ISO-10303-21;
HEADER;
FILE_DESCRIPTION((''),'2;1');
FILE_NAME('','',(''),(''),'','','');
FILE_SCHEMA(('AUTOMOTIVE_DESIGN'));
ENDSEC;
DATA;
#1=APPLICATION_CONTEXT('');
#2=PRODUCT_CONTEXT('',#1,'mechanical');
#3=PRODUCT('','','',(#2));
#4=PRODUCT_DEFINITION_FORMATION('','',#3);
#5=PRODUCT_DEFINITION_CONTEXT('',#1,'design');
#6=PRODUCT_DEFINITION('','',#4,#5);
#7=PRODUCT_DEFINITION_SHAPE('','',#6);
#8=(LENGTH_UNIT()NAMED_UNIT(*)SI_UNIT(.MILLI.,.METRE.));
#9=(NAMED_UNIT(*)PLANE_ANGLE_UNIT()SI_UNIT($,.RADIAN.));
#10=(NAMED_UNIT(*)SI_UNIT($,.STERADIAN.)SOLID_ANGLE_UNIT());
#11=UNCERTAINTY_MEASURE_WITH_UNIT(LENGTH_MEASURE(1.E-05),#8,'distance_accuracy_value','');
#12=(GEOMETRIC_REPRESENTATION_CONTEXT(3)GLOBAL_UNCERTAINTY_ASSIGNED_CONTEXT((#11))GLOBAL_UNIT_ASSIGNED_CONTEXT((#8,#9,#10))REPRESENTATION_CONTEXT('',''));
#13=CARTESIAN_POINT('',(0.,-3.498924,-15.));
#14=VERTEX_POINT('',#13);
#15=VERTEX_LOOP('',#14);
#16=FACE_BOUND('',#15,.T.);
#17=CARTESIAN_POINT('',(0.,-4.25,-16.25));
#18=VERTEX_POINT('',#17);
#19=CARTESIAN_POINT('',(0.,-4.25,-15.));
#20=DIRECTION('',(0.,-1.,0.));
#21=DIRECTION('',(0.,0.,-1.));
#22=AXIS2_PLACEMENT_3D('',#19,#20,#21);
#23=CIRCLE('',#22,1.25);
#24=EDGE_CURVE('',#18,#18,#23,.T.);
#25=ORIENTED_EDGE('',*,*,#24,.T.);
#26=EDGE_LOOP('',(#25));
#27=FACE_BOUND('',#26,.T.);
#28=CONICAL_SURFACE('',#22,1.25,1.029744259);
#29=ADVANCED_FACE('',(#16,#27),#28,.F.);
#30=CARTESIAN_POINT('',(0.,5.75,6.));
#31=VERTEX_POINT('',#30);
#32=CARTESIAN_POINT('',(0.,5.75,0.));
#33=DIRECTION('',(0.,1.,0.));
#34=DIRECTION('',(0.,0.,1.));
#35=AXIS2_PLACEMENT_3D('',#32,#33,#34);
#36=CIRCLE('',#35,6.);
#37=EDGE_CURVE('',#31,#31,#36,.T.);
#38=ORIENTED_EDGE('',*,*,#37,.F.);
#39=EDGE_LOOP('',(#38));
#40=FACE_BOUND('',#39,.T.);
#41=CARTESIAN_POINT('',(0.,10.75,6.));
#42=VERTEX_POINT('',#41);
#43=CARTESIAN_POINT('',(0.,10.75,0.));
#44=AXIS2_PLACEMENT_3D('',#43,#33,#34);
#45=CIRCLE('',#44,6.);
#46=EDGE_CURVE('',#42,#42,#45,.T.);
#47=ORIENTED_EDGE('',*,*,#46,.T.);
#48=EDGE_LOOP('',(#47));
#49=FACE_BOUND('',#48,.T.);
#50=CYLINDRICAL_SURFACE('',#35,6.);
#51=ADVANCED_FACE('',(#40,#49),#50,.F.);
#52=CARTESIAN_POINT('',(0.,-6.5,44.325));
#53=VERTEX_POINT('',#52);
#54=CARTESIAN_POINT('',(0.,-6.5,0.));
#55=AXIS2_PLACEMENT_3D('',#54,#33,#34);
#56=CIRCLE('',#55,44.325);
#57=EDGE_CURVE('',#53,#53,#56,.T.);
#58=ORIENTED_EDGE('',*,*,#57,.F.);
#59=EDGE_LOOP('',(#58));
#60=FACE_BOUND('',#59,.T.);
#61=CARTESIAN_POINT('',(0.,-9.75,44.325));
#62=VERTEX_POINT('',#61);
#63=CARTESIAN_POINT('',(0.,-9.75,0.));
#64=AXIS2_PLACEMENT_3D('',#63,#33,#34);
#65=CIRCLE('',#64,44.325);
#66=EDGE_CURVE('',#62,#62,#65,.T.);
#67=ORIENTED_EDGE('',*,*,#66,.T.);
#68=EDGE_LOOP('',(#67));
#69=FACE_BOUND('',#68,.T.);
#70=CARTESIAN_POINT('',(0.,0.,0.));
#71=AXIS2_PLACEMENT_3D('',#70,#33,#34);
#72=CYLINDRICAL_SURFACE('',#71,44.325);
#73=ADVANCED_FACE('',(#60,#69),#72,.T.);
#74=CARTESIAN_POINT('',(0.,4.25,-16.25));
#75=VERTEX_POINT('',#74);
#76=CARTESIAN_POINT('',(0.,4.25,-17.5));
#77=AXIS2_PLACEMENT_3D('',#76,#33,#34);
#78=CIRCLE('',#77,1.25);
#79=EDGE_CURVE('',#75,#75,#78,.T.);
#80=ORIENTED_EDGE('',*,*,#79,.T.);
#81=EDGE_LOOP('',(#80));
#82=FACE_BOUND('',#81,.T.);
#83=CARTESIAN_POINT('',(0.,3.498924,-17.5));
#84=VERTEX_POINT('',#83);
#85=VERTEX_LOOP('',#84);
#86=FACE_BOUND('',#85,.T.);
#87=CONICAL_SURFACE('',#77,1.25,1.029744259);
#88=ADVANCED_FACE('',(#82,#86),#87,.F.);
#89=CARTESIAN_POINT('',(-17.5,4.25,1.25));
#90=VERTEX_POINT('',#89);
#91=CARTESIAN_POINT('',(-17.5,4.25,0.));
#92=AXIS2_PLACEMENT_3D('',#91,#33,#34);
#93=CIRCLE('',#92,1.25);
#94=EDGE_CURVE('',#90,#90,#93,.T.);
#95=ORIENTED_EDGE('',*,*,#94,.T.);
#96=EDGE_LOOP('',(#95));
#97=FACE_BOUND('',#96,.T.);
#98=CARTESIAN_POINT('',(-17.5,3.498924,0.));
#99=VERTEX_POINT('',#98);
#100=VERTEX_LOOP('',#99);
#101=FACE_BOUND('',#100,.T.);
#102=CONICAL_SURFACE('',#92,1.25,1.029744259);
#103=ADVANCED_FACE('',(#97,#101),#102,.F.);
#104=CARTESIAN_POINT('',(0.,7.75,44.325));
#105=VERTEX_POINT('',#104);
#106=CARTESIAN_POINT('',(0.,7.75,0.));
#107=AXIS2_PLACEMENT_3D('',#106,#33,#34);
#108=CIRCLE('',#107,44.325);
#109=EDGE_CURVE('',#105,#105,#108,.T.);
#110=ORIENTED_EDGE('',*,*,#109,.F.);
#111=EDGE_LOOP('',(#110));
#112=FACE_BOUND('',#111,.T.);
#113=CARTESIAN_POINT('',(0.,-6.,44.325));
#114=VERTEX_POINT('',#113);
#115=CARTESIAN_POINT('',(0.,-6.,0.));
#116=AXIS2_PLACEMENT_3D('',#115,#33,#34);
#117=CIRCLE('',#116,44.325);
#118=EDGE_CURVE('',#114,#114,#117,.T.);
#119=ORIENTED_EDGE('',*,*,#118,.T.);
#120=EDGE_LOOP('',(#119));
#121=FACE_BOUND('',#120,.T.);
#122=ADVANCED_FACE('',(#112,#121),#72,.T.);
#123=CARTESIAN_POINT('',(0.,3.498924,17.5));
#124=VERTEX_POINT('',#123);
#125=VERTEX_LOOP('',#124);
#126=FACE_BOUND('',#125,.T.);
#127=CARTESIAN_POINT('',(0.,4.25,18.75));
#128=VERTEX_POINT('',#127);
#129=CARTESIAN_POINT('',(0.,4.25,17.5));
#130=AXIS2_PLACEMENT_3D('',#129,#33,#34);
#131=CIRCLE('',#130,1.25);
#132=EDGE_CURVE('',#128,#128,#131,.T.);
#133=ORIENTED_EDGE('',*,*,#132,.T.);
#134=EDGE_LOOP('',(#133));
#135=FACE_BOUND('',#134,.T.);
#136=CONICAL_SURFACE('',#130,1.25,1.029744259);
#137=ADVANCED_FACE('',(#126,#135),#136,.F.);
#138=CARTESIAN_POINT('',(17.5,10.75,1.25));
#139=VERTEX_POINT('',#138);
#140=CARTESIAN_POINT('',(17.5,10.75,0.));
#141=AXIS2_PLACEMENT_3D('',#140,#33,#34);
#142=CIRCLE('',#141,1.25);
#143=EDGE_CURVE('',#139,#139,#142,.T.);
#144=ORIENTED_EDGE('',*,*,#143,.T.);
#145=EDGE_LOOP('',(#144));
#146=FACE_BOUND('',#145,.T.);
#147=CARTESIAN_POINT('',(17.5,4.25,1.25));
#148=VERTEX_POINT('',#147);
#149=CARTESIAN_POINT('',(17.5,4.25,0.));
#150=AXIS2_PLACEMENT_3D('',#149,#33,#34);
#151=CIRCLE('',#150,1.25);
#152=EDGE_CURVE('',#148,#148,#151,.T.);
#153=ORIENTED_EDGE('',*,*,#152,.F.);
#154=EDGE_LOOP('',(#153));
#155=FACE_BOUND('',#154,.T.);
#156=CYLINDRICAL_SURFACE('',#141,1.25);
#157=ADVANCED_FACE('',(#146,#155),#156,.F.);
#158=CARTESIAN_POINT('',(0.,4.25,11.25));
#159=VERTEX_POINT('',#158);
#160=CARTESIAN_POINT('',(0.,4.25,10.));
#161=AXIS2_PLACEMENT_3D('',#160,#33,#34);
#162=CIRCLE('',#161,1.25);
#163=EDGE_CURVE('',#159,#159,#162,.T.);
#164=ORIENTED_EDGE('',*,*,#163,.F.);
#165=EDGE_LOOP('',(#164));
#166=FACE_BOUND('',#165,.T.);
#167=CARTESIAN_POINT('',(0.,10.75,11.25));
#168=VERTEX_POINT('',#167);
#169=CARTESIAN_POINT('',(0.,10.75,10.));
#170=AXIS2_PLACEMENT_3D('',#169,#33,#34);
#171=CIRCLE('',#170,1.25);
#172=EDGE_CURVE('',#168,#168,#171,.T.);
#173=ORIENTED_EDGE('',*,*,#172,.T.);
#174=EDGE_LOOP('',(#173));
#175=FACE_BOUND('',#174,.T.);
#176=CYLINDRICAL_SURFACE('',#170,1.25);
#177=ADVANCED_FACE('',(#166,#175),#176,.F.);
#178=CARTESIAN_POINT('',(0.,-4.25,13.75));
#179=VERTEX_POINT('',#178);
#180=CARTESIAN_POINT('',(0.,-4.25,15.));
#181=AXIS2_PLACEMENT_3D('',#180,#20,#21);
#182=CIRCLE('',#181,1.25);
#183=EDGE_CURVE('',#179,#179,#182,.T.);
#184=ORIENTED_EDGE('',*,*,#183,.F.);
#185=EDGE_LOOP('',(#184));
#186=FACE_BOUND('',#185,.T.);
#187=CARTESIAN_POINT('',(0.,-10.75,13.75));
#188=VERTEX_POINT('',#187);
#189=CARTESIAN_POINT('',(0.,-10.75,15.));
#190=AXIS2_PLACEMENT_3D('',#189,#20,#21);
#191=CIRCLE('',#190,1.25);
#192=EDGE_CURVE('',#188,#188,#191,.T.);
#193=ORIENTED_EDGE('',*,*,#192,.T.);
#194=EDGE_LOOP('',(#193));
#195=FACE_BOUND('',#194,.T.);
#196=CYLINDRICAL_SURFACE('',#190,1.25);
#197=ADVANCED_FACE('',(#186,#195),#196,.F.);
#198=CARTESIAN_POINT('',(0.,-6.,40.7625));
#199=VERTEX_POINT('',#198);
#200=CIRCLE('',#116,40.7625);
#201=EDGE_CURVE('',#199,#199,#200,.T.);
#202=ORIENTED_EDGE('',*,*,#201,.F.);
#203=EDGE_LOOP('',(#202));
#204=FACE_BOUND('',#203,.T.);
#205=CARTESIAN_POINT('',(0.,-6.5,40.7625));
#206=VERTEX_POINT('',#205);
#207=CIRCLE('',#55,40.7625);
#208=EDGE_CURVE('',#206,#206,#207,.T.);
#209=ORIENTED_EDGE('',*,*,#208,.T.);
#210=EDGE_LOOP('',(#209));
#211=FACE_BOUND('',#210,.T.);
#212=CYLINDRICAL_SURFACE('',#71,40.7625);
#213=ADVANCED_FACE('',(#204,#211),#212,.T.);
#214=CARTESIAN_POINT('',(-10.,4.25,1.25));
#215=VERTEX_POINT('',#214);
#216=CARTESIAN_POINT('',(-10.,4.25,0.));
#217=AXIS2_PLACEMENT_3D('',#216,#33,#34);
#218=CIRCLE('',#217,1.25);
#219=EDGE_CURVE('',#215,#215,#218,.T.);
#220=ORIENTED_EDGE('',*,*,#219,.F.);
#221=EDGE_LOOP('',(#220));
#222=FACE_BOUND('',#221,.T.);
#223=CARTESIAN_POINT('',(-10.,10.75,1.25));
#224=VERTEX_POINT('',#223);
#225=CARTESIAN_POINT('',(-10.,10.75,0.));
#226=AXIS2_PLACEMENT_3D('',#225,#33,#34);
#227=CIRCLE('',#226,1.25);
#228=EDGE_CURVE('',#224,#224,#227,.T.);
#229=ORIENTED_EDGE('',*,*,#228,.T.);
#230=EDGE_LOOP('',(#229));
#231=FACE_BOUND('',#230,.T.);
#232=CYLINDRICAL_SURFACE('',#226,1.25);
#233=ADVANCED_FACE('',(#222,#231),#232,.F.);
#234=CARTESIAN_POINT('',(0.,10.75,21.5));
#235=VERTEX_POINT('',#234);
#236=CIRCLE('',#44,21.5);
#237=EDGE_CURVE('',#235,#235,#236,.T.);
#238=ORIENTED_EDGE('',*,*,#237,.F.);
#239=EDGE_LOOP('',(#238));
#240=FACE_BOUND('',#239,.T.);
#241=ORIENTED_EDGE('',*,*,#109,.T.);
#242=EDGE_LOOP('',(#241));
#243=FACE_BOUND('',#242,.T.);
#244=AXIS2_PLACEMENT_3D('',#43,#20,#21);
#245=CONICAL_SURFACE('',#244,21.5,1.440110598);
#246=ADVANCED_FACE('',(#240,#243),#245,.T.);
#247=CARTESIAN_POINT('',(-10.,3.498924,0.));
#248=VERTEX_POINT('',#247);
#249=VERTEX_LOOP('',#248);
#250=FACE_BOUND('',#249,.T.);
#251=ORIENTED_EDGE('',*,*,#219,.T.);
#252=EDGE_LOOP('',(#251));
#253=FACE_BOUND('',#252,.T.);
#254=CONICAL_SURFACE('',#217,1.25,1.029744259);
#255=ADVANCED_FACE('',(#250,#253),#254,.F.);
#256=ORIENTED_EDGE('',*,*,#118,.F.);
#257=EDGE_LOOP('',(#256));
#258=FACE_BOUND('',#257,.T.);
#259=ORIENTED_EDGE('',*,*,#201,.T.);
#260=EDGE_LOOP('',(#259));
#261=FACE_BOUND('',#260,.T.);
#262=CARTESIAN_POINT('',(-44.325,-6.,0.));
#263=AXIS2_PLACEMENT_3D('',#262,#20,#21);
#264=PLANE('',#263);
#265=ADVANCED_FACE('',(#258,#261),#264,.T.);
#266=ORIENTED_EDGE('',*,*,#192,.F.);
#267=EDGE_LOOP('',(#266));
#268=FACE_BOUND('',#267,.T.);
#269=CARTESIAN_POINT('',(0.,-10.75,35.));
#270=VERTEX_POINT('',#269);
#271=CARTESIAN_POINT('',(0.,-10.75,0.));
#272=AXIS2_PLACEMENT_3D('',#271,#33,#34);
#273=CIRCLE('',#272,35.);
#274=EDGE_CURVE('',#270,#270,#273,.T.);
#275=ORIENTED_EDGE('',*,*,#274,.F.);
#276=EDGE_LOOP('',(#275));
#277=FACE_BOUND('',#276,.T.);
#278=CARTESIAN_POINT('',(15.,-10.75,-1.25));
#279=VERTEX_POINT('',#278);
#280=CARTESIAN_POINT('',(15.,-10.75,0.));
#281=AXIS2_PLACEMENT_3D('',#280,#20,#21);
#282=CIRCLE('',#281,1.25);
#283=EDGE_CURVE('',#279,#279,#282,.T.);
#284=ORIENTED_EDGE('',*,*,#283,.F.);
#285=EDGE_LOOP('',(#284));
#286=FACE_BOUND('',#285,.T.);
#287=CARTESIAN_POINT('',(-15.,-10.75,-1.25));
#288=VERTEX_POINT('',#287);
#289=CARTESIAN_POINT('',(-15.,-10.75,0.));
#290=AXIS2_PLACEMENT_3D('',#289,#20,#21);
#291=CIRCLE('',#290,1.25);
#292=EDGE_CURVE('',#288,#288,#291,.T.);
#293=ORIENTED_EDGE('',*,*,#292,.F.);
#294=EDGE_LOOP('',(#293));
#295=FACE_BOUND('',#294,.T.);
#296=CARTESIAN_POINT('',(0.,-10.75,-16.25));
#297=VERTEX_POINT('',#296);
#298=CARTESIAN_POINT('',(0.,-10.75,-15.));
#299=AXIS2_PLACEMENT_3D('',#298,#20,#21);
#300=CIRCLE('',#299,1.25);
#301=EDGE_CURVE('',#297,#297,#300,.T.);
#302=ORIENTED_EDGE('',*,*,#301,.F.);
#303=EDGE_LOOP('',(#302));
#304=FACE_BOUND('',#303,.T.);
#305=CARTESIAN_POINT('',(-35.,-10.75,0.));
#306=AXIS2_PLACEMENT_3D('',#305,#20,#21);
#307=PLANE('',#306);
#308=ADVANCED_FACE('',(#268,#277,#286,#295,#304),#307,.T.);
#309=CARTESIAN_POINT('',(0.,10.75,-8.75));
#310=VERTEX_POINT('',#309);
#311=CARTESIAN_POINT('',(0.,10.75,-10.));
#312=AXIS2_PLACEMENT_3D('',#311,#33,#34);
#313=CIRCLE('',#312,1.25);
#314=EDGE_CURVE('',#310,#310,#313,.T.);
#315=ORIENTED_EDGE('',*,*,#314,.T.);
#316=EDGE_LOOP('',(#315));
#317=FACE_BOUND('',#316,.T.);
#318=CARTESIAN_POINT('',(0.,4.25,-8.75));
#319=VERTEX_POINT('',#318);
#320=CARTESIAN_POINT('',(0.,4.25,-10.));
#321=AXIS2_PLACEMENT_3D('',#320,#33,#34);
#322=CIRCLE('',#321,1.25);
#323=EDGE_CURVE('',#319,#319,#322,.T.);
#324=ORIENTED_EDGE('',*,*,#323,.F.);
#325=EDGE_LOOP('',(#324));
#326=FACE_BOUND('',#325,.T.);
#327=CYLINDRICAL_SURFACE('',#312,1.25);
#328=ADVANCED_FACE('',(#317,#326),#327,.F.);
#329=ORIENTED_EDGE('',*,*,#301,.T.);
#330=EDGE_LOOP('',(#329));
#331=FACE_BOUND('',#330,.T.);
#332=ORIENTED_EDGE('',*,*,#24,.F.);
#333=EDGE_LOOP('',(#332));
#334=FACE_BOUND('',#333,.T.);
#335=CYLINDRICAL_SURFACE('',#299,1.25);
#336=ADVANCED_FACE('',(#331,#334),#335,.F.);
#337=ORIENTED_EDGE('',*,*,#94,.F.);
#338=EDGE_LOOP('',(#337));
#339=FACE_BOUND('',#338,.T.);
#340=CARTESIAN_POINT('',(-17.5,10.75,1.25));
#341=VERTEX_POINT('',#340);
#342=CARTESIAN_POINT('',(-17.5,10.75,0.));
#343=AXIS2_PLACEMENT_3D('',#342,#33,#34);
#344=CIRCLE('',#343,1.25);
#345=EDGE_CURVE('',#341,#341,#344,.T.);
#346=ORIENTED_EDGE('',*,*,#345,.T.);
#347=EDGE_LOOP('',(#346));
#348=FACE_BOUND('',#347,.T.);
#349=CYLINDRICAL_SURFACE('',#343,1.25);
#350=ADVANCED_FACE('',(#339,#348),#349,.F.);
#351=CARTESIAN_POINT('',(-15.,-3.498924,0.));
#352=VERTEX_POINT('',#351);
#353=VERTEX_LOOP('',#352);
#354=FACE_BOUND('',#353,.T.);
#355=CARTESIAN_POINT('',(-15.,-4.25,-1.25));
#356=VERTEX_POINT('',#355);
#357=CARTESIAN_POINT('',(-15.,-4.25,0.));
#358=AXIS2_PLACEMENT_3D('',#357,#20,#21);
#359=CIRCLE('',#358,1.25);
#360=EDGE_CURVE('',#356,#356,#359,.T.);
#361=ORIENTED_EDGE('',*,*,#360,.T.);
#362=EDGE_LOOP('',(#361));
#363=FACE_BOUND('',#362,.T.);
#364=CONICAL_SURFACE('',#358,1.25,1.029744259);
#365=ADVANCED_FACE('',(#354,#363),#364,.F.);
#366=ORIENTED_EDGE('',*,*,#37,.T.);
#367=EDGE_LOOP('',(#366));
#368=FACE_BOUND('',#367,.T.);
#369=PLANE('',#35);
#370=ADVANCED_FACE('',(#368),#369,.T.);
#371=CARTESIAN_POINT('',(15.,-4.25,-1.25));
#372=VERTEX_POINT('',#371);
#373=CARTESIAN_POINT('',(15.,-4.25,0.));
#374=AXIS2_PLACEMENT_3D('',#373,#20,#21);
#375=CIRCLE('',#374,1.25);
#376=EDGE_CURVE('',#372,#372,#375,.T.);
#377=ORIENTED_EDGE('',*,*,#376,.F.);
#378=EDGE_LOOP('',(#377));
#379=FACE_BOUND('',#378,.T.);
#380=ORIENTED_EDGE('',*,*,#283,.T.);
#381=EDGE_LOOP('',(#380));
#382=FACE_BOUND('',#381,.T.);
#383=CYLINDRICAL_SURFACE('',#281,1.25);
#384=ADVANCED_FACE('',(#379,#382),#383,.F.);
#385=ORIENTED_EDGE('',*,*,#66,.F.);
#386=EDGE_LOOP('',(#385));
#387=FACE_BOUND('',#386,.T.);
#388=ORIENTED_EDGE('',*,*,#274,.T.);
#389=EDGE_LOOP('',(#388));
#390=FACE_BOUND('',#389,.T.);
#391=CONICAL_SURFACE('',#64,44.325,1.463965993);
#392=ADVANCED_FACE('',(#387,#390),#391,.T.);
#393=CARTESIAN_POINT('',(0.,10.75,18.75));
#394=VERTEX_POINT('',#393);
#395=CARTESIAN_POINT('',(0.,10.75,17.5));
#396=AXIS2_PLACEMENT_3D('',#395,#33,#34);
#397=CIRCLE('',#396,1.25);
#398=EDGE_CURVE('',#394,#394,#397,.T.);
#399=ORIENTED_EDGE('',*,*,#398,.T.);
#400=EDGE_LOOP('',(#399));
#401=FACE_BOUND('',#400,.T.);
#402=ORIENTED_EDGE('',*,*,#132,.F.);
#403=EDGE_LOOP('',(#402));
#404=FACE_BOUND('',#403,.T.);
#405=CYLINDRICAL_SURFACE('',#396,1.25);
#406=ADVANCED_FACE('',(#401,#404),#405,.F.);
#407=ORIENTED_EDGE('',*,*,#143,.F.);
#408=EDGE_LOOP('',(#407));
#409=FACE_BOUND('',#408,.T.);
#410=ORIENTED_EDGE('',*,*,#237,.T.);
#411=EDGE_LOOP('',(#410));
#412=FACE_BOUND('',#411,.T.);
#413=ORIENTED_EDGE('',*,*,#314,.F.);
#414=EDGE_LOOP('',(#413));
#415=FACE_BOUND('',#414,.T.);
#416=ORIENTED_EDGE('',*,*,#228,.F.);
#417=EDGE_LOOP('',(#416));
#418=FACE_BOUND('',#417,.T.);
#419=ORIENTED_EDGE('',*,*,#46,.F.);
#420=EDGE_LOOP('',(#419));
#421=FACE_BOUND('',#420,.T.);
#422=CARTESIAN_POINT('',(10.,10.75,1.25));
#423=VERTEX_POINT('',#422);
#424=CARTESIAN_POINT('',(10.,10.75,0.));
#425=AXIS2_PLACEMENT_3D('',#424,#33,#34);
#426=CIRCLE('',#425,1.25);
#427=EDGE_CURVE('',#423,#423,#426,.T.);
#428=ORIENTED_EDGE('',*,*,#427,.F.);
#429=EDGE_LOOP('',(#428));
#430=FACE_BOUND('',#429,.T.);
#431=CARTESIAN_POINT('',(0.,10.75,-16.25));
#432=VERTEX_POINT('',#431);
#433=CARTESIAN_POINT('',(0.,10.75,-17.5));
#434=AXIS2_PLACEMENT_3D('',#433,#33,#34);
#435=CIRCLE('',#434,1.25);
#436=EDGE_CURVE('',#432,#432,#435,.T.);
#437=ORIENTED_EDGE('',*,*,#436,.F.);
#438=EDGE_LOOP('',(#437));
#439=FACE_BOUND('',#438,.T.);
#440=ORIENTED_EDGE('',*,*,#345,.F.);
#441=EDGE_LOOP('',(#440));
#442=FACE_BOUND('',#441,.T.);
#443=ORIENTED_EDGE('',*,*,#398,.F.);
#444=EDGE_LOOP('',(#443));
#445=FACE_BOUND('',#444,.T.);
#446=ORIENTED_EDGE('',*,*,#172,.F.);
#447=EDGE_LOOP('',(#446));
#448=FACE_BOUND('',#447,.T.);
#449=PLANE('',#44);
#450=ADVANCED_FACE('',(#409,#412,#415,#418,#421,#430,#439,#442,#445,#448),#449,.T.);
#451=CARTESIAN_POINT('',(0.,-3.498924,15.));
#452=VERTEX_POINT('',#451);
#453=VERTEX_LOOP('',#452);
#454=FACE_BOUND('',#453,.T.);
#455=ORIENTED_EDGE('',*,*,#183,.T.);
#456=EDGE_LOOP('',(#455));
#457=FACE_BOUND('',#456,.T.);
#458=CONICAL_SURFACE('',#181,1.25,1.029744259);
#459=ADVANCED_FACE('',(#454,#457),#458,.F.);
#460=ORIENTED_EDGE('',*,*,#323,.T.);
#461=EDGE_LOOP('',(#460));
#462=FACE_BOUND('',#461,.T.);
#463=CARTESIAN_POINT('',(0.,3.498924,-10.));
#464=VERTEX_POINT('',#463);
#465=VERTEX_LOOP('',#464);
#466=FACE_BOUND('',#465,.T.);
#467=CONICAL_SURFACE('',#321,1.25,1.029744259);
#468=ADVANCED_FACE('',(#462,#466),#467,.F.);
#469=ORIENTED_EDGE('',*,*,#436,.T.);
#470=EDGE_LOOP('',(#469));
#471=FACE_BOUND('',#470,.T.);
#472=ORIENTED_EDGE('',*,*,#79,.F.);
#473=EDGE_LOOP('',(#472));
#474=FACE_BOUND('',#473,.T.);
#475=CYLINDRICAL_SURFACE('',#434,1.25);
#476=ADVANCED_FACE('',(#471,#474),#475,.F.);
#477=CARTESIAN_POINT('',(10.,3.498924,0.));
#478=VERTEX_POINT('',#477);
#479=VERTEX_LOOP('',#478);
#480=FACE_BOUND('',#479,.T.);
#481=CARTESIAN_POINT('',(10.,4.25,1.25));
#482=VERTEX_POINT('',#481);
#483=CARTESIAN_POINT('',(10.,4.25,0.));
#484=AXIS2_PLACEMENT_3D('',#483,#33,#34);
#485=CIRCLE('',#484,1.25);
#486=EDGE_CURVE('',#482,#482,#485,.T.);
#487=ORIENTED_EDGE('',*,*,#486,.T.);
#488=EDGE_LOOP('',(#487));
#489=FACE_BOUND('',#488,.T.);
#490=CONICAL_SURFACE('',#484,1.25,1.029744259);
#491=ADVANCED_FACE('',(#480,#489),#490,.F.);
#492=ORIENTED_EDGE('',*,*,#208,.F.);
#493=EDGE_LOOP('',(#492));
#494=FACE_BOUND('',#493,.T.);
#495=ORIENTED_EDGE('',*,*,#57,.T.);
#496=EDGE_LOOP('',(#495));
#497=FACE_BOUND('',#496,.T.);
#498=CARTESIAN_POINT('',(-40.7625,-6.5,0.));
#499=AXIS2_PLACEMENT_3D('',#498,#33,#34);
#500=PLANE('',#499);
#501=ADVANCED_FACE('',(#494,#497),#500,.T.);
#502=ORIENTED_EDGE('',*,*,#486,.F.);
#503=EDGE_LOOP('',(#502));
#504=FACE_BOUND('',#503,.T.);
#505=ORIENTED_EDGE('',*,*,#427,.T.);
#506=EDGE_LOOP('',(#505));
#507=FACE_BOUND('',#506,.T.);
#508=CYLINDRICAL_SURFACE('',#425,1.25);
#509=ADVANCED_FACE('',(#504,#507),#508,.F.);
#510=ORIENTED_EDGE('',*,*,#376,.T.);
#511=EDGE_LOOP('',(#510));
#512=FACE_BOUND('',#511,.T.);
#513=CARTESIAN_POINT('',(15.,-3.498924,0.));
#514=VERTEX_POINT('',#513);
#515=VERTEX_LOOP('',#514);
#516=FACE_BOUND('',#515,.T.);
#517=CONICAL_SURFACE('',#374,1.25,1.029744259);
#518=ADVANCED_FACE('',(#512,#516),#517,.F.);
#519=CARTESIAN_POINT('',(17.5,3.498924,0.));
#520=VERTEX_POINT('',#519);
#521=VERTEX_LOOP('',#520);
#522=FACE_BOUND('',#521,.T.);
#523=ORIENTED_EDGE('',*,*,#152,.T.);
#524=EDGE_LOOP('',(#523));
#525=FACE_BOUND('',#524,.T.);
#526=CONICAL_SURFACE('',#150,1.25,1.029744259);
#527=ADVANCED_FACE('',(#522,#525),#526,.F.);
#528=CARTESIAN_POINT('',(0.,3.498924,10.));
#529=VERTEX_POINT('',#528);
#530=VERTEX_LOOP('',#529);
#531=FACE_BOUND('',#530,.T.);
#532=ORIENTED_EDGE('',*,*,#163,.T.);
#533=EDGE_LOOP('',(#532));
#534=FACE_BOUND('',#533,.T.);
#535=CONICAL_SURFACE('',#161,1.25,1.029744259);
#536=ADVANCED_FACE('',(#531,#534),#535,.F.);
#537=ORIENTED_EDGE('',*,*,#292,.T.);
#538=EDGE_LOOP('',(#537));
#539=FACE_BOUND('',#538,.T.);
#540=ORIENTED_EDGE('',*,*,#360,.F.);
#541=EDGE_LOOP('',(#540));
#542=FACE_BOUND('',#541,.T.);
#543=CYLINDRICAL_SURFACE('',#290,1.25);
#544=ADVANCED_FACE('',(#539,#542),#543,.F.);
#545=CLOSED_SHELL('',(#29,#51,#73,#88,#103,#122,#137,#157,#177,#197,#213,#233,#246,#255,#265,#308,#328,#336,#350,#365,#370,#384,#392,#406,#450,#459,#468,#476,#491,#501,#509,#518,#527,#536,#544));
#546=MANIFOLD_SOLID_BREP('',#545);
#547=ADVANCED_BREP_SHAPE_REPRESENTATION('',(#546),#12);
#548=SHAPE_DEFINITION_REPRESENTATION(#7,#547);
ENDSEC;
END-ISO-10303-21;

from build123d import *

# Parameters (mm, degrees)
M3X0_5_TAPPED_HOLE1_D     = 2.5
M3X0_5_TAPPED_HOLE1_DEPTH = 6.5
M3X0_5_TAPPED_HOLE1_TIP   = 0.751075774
SKETCH4_R                 = 6
CUT_EXTRUDE1_DEPTH        = 5
M3X0_5_TAPPED_HOLE2_D     = 2.5
M3X0_5_TAPPED_HOLE2_DEPTH = 6.5
M3X0_5_TAPPED_HOLE2_TIP   = 0.751075774


with BuildPart() as part:
    # Sketch1 → Revolve1 (revolve)
    with BuildSketch(Plane.XY):
        Polygon((0, -10.75), (0, 10.75), (-21.5, 10.75), (-44.325, 7.75), (-44.325, -6), (-40.7625, -6), (-40.7625, -6.5), (-44.325, -6.5), (-44.325, -9.75), (-35, -10.75), align=None)
    revolve(axis=Axis((0, 0, 0), (0, -1, 0)))

    # M3x0.5 Tapped Hole1
    with Locations(Plane(origin=(0, 10.75, 0), x_dir=(1, 0, 0), z_dir=(0, 1, 0))):
        with Locations((0, 17.5), (0, 10), (17.5, 0), (10, 0), (0, -17.5), (0, -10), (-17.5, 0), (-10, 0)):
            Hole(M3X0_5_TAPPED_HOLE1_D / 2, depth=M3X0_5_TAPPED_HOLE1_DEPTH)
            with Locations((0, 0, -(M3X0_5_TAPPED_HOLE1_DEPTH + M3X0_5_TAPPED_HOLE1_TIP / 2))):  # 118° drill point
                Cone(0, M3X0_5_TAPPED_HOLE1_D / 2, M3X0_5_TAPPED_HOLE1_TIP, mode=Mode.SUBTRACT)

    # Sketch4 → Cut-Extrude1 (cut)
    with BuildSketch(Plane(origin=(0, 10.75, 0), x_dir=(1, 0, 0), z_dir=(0, 1, 0))):
        Circle(SKETCH4_R)
    extrude(amount=-CUT_EXTRUDE1_DEPTH, mode=Mode.SUBTRACT)

    # M3x0.5 Tapped Hole2
    with Locations(Plane(origin=(0, -10.75, 0), x_dir=(-1, 0, 0), z_dir=(0, -1, 0))):
        with Locations((0, 15), (15, 0), (0, -15), (-15, 0)):
            Hole(M3X0_5_TAPPED_HOLE2_D / 2, depth=M3X0_5_TAPPED_HOLE2_DEPTH)
            with Locations((0, 0, -(M3X0_5_TAPPED_HOLE2_DEPTH + M3X0_5_TAPPED_HOLE2_TIP / 2))):  # 118° drill point
                Cone(0, M3X0_5_TAPPED_HOLE2_D / 2, M3X0_5_TAPPED_HOLE2_TIP, mode=Mode.SUBTRACT)


solid = part.part
